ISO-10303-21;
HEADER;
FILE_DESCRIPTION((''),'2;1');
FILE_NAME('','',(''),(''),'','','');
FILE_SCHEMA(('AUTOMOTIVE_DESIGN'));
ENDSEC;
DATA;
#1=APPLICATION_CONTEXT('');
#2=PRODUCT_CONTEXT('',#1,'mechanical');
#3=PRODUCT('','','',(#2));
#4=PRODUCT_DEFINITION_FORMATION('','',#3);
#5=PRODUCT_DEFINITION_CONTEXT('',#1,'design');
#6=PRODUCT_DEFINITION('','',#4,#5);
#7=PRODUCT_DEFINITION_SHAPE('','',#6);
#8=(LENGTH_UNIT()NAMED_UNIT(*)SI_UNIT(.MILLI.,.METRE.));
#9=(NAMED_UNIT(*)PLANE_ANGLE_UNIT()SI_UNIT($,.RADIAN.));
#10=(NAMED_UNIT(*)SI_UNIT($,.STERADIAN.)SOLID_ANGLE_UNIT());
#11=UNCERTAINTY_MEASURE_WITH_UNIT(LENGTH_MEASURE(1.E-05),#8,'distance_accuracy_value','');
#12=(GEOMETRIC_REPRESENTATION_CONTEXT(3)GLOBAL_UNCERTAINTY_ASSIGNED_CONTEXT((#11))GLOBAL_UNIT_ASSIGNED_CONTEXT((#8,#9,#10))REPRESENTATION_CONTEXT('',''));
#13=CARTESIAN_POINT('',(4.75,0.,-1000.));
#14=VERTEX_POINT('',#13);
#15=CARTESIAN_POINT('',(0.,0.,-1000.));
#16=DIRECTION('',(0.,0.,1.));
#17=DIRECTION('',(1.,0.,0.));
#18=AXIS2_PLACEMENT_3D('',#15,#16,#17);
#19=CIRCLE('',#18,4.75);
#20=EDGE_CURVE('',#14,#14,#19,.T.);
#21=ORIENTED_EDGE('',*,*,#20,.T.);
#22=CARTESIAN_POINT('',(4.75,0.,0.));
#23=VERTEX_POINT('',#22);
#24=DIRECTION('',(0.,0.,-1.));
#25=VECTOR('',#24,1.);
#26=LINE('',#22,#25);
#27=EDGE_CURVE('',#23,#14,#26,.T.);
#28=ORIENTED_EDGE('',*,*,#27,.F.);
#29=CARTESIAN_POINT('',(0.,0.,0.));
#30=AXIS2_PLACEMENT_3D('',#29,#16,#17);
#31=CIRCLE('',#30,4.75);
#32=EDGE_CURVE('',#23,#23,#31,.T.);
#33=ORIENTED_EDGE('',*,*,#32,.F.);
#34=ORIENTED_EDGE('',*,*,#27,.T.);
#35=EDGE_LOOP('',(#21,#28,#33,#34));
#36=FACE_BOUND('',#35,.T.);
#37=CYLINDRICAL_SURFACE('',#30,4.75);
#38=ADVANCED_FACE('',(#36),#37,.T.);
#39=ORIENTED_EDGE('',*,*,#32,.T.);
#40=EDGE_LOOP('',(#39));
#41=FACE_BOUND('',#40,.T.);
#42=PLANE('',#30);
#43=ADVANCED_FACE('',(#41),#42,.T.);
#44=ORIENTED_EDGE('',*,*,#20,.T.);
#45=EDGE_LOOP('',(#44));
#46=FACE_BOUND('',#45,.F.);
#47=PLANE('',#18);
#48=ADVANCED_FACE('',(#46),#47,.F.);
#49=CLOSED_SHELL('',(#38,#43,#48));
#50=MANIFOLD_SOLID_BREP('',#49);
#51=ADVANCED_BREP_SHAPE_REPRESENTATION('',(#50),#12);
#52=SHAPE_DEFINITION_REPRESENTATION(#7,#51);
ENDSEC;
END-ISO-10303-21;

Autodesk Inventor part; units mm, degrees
ref_plane "YZ Plane" through (0, 0, 0) normal (1, 0, 0) x (0, 1, 0)
ref_plane "XZ Plane" through (0, 0, 0) normal (0, 1, 0) x (-1, 0, 0)
ref_plane "XY Plane" through (0, 0, 0) normal (0, 0, 1) x (1, 0, 0)
sketch "Sketch1" plane through (0, 0, 0) normal (0, 0, 1) x (1, 0, 0)
  circle A0 centre (0, 0) radius 4.75
  dimension "d0" = 9.5
extrude "Extrusion1" add sketch "Sketch1" against normal blind 1000
properties part number "Tie Rod"
